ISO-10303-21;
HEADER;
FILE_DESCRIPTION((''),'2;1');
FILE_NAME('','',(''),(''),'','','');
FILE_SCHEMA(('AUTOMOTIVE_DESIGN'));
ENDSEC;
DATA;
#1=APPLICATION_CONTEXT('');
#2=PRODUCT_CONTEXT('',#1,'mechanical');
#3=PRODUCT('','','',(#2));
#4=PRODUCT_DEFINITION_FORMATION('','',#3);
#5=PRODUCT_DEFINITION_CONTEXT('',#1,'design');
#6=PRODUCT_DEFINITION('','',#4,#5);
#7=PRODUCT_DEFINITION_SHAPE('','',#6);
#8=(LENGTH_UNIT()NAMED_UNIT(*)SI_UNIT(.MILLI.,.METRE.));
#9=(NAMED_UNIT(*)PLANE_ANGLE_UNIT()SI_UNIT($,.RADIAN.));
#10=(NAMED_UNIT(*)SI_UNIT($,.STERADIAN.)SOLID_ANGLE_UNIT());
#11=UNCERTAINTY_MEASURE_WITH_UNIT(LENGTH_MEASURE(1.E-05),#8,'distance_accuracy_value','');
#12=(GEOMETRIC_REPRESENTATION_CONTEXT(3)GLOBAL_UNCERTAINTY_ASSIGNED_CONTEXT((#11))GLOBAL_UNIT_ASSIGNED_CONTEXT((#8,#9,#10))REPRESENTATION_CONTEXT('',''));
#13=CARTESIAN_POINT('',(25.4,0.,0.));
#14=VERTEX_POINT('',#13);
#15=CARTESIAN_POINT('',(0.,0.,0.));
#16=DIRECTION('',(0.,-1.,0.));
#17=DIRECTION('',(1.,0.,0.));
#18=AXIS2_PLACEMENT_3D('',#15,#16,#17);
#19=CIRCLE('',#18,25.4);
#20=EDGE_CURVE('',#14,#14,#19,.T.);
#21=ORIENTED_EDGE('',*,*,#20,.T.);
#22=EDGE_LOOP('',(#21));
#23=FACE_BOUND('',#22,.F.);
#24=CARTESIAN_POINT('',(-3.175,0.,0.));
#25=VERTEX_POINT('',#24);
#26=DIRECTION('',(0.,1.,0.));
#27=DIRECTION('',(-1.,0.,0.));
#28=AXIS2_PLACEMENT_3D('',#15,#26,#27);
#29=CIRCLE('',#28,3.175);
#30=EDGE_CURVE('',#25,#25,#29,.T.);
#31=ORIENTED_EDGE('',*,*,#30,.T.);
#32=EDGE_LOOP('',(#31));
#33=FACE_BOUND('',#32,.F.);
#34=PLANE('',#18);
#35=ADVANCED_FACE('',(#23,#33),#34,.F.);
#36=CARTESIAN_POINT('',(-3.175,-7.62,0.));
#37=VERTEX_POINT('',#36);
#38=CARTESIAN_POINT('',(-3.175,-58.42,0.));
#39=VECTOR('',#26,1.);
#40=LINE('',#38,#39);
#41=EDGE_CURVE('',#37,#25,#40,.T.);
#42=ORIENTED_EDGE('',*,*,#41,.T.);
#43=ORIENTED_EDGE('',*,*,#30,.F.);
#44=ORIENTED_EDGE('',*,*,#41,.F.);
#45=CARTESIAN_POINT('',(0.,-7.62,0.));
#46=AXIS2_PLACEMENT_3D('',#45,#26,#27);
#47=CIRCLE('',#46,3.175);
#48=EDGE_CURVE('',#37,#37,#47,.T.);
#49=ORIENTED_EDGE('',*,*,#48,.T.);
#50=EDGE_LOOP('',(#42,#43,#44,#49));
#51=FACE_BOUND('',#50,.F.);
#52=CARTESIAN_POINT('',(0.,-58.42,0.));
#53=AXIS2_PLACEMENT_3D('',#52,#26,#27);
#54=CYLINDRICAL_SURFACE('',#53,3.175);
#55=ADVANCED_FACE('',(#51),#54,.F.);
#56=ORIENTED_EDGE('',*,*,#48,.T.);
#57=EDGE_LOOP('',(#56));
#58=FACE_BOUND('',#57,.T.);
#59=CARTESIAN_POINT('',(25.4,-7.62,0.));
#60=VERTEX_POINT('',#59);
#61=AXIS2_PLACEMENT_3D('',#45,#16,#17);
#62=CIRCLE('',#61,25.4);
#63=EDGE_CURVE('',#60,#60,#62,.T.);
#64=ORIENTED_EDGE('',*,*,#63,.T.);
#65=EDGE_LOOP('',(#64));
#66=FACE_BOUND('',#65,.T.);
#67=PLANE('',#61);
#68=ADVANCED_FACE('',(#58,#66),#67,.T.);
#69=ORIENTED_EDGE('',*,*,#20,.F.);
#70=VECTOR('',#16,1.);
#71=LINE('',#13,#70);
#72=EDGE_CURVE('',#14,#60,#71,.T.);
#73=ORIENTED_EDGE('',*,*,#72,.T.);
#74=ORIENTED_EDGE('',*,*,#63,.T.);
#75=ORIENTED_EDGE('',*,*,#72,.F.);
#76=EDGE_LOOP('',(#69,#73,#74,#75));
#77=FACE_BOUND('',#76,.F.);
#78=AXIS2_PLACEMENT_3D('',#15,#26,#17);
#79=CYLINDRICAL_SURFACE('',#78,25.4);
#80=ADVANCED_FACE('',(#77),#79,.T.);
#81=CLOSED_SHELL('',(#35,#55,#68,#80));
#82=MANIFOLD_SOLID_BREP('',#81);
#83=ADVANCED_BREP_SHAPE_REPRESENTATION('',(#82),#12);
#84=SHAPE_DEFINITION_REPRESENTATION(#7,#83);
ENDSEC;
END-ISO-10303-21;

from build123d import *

# Parameters (mm, degrees)
F0_R     = 25.4
F1_DEPTH = 7.62
F3_D     = 6.35
F3_DEPTH = 50.8


with BuildPart() as f1:
    # F0 (on Front) → F1 (new body)
    with BuildSketch(Plane.XZ):
        Circle(F0_R)
    extrude(amount=F1_DEPTH)

    # F3
    with Locations(Plane.XZ.offset(7.62)):
        with Locations((0, 0)):
            Hole(F3_D / 2, depth=F3_DEPTH)


solid = f1.part
